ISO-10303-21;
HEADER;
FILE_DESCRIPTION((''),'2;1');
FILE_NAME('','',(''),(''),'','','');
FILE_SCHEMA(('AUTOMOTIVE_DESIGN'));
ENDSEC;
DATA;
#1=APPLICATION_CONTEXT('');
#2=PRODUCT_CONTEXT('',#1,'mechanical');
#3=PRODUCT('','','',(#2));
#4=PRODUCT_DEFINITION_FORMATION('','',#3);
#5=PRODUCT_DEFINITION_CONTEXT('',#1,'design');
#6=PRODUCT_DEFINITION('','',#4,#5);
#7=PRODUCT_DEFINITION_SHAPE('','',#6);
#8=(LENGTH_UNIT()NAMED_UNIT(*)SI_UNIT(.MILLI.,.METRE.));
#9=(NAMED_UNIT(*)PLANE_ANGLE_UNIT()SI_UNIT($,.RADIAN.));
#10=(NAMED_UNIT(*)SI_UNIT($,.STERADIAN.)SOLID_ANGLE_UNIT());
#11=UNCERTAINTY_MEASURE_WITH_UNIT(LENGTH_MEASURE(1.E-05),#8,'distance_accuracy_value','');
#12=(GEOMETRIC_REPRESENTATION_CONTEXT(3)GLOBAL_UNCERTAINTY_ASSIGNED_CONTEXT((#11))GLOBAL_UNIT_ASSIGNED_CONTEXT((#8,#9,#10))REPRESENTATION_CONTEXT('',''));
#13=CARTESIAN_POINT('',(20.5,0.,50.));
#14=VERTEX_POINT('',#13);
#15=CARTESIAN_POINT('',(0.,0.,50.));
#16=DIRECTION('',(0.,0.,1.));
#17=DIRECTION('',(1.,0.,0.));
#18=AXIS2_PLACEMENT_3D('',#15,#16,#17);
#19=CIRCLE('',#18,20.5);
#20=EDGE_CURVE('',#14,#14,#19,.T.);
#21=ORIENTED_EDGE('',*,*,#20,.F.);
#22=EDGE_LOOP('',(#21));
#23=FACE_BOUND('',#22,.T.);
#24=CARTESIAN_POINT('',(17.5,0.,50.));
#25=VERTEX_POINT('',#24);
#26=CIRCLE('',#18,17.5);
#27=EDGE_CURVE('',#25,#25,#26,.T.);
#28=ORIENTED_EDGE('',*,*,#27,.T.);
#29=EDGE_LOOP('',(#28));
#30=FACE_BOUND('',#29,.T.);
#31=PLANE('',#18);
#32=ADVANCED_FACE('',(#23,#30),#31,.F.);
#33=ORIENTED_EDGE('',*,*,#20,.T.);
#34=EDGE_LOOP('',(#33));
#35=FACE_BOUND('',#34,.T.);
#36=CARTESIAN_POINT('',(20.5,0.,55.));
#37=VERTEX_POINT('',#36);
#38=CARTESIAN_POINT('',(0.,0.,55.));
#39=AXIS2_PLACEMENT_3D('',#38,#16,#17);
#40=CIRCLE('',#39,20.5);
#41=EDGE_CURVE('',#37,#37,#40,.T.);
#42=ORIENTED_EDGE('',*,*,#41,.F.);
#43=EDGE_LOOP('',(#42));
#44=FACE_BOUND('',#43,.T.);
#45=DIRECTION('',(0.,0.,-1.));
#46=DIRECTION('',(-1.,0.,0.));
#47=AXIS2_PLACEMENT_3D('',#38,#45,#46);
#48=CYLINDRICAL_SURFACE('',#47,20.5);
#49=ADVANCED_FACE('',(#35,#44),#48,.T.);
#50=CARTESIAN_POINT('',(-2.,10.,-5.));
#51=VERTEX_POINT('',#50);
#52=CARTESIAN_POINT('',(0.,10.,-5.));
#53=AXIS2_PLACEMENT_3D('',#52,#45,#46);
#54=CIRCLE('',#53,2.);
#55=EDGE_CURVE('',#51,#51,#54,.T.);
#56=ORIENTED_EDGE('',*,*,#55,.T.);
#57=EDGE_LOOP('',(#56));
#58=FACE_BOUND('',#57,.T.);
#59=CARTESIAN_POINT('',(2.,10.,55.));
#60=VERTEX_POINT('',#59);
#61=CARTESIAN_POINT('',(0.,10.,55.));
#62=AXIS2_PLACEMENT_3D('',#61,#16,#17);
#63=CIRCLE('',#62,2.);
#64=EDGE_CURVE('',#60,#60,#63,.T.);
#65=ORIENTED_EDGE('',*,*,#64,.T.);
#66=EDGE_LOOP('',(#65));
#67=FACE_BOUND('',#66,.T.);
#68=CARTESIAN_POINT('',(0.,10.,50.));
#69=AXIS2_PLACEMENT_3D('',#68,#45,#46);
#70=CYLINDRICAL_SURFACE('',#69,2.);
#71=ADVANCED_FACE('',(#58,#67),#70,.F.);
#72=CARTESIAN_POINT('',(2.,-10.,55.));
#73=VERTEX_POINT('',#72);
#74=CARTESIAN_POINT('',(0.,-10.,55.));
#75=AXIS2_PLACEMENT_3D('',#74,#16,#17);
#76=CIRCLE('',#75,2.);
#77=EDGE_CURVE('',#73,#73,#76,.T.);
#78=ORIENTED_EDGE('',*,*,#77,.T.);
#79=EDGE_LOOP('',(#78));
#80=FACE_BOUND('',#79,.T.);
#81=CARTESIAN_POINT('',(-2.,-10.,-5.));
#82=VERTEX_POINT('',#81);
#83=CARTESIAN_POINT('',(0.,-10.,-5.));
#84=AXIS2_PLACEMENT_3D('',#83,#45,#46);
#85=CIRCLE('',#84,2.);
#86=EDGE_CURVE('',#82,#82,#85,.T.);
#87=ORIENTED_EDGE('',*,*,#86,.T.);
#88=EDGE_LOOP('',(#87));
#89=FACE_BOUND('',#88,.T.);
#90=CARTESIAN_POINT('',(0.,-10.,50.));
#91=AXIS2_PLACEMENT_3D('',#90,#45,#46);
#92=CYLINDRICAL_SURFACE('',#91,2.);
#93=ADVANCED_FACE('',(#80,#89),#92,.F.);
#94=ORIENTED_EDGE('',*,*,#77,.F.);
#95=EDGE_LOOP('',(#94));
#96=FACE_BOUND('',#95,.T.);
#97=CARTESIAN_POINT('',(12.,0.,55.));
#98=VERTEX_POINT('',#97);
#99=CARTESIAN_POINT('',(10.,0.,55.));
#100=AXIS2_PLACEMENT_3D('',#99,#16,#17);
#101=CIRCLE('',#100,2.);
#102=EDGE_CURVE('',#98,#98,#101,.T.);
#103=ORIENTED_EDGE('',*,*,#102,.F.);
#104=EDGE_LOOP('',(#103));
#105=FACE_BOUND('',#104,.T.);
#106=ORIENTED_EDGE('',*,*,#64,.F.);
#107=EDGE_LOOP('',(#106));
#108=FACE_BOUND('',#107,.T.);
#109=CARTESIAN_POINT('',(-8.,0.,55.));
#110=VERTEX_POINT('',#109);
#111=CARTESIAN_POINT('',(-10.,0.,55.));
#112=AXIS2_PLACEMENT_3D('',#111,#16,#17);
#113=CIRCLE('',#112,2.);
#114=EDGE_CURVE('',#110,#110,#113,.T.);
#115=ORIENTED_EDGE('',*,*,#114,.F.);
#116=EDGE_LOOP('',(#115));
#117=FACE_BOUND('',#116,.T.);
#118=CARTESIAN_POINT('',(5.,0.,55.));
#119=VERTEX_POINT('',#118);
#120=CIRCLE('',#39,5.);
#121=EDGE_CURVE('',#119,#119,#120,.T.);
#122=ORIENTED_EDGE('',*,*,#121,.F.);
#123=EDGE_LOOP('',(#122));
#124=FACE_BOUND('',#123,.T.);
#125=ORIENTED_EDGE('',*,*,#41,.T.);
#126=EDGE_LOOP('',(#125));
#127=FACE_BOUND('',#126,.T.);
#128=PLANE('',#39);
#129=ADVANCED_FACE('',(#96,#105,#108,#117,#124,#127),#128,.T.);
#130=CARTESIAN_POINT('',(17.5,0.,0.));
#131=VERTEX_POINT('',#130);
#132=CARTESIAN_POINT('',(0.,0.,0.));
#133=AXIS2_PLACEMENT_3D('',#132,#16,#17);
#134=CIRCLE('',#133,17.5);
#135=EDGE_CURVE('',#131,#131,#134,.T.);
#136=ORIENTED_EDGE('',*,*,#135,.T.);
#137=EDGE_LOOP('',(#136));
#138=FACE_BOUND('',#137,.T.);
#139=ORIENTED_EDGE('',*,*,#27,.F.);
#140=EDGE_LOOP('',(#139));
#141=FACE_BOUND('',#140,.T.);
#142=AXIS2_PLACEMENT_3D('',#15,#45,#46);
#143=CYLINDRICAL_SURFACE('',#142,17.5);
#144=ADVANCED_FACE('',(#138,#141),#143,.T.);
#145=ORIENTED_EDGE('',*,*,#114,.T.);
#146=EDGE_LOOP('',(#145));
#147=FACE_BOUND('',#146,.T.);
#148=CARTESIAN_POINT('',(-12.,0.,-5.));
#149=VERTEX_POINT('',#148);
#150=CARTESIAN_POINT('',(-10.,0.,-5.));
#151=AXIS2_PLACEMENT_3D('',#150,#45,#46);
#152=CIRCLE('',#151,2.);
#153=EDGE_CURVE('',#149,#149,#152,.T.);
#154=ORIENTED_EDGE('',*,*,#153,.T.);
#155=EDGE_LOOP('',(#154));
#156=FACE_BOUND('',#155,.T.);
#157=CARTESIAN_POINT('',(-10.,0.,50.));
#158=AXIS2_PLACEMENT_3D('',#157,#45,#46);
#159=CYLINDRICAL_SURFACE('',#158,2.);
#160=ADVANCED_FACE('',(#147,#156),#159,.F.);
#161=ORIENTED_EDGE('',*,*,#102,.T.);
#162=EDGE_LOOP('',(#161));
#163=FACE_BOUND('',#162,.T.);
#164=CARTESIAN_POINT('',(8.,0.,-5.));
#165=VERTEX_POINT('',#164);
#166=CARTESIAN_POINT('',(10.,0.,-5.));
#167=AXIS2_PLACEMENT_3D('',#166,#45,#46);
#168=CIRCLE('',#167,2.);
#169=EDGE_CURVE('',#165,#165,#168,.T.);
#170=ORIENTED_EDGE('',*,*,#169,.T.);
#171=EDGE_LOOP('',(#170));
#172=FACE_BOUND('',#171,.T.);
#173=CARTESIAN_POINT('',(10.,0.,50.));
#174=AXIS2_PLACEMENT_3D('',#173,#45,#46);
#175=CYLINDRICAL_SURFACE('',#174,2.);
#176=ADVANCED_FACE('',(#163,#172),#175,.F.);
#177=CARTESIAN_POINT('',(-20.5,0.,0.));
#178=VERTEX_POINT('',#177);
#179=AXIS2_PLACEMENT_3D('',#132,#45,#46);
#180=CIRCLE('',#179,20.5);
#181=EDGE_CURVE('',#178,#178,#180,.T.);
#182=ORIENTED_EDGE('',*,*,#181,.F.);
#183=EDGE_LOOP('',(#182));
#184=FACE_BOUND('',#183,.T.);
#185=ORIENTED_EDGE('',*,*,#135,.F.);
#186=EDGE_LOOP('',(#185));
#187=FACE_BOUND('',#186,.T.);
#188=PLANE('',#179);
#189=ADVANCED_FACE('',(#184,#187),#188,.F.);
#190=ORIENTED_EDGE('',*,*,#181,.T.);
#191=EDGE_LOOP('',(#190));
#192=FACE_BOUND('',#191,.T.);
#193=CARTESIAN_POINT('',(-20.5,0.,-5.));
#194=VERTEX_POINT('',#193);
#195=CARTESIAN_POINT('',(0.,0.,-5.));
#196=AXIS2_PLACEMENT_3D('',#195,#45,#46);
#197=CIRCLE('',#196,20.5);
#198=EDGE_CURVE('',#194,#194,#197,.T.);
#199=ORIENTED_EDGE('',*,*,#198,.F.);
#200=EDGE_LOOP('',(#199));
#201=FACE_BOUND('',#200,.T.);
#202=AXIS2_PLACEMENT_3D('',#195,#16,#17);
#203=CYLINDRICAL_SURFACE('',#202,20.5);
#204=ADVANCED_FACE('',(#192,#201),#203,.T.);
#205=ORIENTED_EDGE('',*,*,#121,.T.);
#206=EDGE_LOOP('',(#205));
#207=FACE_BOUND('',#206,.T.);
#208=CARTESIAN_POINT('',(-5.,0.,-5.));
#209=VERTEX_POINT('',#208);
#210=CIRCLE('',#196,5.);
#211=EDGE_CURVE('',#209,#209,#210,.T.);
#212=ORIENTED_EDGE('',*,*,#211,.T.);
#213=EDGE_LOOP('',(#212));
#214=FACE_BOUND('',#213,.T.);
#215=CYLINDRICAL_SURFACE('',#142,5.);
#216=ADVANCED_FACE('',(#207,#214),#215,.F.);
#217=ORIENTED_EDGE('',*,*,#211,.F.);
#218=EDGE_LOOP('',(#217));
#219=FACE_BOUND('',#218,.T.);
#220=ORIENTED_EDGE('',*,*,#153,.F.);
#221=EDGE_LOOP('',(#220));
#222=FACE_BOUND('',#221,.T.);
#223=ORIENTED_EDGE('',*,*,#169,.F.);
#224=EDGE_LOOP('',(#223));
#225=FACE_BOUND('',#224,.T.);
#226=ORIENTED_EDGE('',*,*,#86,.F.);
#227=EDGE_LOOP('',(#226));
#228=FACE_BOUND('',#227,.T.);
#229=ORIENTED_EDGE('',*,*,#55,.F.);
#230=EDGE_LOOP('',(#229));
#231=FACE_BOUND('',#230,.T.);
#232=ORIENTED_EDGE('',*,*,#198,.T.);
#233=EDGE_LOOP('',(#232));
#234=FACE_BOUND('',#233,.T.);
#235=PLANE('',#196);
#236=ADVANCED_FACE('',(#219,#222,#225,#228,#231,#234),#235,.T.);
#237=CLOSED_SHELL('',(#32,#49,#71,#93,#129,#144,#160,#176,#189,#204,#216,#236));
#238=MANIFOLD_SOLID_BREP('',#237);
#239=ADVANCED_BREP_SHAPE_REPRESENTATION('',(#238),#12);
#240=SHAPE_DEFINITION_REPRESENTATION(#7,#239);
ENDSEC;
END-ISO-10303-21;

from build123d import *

# Parameters (mm, degrees)
SKETCH1_R           = 17.5
SKETCH1_R_2         = 5
SKETCH1_R_3         = 2
BOSS_EXTRUDE1_DEPTH = 50
SKETCH2_R           = 20.5
SKETCH2_R_2         = 5
SKETCH2_R_3         = 2
BOSS_EXTRUDE2_DEPTH = 5
SKETCH3_R           = 20.5
SKETCH3_R_2         = 5
SKETCH3_R_3         = 2
BOSS_EXTRUDE3_DEPTH = 5


with BuildPart() as part:
    # Sketch1 → Boss-Extrude1 (new body)
    with BuildSketch(Plane.XY):
        Circle(SKETCH1_R)
        Circle(SKETCH1_R_2, mode=Mode.SUBTRACT)
        with Locations((0, 10)):
            Circle(SKETCH1_R_3, mode=Mode.SUBTRACT)
        with Locations((10, 0)):
            Circle(SKETCH1_R_3, mode=Mode.SUBTRACT)
        with Locations((0, -10)):
            Circle(SKETCH1_R_3, mode=Mode.SUBTRACT)
        with Locations((-10, 0)):
            Circle(SKETCH1_R_3, mode=Mode.SUBTRACT)
    extrude(amount=BOSS_EXTRUDE1_DEPTH)

    # Sketch2 → Boss-Extrude2 (add)
    with BuildSketch(Plane.XY.offset(50)):
        Circle(SKETCH2_R)
        Circle(SKETCH2_R_2, mode=Mode.SUBTRACT)
        with Locations((0, 10)):
            Circle(SKETCH2_R_3, mode=Mode.SUBTRACT)
        with Locations((10, 0)):
            Circle(SKETCH2_R_3, mode=Mode.SUBTRACT)
        with Locations((0, -10)):
            Circle(SKETCH2_R_3, mode=Mode.SUBTRACT)
        with Locations((-10, 0)):
            Circle(SKETCH2_R_3, mode=Mode.SUBTRACT)
    extrude(amount=BOSS_EXTRUDE2_DEPTH)

    # Sketch3 → Boss-Extrude3 (add)
    with BuildSketch(Plane(origin=(0, 0, 0), x_dir=(-1, 0, 0), z_dir=(0, 0, -1))):
        Circle(SKETCH3_R)
        Circle(SKETCH3_R_2, mode=Mode.SUBTRACT)
        with Locations((0, 10)):
            Circle(SKETCH3_R_3, mode=Mode.SUBTRACT)
        with Locations((10, 0)):
            Circle(SKETCH3_R_3, mode=Mode.SUBTRACT)
        with Locations((0, -10)):
            Circle(SKETCH3_R_3, mode=Mode.SUBTRACT)
        with Locations((-10, 0)):
            Circle(SKETCH3_R_3, mode=Mode.SUBTRACT)
    extrude(amount=BOSS_EXTRUDE3_DEPTH)


solid = part.part
